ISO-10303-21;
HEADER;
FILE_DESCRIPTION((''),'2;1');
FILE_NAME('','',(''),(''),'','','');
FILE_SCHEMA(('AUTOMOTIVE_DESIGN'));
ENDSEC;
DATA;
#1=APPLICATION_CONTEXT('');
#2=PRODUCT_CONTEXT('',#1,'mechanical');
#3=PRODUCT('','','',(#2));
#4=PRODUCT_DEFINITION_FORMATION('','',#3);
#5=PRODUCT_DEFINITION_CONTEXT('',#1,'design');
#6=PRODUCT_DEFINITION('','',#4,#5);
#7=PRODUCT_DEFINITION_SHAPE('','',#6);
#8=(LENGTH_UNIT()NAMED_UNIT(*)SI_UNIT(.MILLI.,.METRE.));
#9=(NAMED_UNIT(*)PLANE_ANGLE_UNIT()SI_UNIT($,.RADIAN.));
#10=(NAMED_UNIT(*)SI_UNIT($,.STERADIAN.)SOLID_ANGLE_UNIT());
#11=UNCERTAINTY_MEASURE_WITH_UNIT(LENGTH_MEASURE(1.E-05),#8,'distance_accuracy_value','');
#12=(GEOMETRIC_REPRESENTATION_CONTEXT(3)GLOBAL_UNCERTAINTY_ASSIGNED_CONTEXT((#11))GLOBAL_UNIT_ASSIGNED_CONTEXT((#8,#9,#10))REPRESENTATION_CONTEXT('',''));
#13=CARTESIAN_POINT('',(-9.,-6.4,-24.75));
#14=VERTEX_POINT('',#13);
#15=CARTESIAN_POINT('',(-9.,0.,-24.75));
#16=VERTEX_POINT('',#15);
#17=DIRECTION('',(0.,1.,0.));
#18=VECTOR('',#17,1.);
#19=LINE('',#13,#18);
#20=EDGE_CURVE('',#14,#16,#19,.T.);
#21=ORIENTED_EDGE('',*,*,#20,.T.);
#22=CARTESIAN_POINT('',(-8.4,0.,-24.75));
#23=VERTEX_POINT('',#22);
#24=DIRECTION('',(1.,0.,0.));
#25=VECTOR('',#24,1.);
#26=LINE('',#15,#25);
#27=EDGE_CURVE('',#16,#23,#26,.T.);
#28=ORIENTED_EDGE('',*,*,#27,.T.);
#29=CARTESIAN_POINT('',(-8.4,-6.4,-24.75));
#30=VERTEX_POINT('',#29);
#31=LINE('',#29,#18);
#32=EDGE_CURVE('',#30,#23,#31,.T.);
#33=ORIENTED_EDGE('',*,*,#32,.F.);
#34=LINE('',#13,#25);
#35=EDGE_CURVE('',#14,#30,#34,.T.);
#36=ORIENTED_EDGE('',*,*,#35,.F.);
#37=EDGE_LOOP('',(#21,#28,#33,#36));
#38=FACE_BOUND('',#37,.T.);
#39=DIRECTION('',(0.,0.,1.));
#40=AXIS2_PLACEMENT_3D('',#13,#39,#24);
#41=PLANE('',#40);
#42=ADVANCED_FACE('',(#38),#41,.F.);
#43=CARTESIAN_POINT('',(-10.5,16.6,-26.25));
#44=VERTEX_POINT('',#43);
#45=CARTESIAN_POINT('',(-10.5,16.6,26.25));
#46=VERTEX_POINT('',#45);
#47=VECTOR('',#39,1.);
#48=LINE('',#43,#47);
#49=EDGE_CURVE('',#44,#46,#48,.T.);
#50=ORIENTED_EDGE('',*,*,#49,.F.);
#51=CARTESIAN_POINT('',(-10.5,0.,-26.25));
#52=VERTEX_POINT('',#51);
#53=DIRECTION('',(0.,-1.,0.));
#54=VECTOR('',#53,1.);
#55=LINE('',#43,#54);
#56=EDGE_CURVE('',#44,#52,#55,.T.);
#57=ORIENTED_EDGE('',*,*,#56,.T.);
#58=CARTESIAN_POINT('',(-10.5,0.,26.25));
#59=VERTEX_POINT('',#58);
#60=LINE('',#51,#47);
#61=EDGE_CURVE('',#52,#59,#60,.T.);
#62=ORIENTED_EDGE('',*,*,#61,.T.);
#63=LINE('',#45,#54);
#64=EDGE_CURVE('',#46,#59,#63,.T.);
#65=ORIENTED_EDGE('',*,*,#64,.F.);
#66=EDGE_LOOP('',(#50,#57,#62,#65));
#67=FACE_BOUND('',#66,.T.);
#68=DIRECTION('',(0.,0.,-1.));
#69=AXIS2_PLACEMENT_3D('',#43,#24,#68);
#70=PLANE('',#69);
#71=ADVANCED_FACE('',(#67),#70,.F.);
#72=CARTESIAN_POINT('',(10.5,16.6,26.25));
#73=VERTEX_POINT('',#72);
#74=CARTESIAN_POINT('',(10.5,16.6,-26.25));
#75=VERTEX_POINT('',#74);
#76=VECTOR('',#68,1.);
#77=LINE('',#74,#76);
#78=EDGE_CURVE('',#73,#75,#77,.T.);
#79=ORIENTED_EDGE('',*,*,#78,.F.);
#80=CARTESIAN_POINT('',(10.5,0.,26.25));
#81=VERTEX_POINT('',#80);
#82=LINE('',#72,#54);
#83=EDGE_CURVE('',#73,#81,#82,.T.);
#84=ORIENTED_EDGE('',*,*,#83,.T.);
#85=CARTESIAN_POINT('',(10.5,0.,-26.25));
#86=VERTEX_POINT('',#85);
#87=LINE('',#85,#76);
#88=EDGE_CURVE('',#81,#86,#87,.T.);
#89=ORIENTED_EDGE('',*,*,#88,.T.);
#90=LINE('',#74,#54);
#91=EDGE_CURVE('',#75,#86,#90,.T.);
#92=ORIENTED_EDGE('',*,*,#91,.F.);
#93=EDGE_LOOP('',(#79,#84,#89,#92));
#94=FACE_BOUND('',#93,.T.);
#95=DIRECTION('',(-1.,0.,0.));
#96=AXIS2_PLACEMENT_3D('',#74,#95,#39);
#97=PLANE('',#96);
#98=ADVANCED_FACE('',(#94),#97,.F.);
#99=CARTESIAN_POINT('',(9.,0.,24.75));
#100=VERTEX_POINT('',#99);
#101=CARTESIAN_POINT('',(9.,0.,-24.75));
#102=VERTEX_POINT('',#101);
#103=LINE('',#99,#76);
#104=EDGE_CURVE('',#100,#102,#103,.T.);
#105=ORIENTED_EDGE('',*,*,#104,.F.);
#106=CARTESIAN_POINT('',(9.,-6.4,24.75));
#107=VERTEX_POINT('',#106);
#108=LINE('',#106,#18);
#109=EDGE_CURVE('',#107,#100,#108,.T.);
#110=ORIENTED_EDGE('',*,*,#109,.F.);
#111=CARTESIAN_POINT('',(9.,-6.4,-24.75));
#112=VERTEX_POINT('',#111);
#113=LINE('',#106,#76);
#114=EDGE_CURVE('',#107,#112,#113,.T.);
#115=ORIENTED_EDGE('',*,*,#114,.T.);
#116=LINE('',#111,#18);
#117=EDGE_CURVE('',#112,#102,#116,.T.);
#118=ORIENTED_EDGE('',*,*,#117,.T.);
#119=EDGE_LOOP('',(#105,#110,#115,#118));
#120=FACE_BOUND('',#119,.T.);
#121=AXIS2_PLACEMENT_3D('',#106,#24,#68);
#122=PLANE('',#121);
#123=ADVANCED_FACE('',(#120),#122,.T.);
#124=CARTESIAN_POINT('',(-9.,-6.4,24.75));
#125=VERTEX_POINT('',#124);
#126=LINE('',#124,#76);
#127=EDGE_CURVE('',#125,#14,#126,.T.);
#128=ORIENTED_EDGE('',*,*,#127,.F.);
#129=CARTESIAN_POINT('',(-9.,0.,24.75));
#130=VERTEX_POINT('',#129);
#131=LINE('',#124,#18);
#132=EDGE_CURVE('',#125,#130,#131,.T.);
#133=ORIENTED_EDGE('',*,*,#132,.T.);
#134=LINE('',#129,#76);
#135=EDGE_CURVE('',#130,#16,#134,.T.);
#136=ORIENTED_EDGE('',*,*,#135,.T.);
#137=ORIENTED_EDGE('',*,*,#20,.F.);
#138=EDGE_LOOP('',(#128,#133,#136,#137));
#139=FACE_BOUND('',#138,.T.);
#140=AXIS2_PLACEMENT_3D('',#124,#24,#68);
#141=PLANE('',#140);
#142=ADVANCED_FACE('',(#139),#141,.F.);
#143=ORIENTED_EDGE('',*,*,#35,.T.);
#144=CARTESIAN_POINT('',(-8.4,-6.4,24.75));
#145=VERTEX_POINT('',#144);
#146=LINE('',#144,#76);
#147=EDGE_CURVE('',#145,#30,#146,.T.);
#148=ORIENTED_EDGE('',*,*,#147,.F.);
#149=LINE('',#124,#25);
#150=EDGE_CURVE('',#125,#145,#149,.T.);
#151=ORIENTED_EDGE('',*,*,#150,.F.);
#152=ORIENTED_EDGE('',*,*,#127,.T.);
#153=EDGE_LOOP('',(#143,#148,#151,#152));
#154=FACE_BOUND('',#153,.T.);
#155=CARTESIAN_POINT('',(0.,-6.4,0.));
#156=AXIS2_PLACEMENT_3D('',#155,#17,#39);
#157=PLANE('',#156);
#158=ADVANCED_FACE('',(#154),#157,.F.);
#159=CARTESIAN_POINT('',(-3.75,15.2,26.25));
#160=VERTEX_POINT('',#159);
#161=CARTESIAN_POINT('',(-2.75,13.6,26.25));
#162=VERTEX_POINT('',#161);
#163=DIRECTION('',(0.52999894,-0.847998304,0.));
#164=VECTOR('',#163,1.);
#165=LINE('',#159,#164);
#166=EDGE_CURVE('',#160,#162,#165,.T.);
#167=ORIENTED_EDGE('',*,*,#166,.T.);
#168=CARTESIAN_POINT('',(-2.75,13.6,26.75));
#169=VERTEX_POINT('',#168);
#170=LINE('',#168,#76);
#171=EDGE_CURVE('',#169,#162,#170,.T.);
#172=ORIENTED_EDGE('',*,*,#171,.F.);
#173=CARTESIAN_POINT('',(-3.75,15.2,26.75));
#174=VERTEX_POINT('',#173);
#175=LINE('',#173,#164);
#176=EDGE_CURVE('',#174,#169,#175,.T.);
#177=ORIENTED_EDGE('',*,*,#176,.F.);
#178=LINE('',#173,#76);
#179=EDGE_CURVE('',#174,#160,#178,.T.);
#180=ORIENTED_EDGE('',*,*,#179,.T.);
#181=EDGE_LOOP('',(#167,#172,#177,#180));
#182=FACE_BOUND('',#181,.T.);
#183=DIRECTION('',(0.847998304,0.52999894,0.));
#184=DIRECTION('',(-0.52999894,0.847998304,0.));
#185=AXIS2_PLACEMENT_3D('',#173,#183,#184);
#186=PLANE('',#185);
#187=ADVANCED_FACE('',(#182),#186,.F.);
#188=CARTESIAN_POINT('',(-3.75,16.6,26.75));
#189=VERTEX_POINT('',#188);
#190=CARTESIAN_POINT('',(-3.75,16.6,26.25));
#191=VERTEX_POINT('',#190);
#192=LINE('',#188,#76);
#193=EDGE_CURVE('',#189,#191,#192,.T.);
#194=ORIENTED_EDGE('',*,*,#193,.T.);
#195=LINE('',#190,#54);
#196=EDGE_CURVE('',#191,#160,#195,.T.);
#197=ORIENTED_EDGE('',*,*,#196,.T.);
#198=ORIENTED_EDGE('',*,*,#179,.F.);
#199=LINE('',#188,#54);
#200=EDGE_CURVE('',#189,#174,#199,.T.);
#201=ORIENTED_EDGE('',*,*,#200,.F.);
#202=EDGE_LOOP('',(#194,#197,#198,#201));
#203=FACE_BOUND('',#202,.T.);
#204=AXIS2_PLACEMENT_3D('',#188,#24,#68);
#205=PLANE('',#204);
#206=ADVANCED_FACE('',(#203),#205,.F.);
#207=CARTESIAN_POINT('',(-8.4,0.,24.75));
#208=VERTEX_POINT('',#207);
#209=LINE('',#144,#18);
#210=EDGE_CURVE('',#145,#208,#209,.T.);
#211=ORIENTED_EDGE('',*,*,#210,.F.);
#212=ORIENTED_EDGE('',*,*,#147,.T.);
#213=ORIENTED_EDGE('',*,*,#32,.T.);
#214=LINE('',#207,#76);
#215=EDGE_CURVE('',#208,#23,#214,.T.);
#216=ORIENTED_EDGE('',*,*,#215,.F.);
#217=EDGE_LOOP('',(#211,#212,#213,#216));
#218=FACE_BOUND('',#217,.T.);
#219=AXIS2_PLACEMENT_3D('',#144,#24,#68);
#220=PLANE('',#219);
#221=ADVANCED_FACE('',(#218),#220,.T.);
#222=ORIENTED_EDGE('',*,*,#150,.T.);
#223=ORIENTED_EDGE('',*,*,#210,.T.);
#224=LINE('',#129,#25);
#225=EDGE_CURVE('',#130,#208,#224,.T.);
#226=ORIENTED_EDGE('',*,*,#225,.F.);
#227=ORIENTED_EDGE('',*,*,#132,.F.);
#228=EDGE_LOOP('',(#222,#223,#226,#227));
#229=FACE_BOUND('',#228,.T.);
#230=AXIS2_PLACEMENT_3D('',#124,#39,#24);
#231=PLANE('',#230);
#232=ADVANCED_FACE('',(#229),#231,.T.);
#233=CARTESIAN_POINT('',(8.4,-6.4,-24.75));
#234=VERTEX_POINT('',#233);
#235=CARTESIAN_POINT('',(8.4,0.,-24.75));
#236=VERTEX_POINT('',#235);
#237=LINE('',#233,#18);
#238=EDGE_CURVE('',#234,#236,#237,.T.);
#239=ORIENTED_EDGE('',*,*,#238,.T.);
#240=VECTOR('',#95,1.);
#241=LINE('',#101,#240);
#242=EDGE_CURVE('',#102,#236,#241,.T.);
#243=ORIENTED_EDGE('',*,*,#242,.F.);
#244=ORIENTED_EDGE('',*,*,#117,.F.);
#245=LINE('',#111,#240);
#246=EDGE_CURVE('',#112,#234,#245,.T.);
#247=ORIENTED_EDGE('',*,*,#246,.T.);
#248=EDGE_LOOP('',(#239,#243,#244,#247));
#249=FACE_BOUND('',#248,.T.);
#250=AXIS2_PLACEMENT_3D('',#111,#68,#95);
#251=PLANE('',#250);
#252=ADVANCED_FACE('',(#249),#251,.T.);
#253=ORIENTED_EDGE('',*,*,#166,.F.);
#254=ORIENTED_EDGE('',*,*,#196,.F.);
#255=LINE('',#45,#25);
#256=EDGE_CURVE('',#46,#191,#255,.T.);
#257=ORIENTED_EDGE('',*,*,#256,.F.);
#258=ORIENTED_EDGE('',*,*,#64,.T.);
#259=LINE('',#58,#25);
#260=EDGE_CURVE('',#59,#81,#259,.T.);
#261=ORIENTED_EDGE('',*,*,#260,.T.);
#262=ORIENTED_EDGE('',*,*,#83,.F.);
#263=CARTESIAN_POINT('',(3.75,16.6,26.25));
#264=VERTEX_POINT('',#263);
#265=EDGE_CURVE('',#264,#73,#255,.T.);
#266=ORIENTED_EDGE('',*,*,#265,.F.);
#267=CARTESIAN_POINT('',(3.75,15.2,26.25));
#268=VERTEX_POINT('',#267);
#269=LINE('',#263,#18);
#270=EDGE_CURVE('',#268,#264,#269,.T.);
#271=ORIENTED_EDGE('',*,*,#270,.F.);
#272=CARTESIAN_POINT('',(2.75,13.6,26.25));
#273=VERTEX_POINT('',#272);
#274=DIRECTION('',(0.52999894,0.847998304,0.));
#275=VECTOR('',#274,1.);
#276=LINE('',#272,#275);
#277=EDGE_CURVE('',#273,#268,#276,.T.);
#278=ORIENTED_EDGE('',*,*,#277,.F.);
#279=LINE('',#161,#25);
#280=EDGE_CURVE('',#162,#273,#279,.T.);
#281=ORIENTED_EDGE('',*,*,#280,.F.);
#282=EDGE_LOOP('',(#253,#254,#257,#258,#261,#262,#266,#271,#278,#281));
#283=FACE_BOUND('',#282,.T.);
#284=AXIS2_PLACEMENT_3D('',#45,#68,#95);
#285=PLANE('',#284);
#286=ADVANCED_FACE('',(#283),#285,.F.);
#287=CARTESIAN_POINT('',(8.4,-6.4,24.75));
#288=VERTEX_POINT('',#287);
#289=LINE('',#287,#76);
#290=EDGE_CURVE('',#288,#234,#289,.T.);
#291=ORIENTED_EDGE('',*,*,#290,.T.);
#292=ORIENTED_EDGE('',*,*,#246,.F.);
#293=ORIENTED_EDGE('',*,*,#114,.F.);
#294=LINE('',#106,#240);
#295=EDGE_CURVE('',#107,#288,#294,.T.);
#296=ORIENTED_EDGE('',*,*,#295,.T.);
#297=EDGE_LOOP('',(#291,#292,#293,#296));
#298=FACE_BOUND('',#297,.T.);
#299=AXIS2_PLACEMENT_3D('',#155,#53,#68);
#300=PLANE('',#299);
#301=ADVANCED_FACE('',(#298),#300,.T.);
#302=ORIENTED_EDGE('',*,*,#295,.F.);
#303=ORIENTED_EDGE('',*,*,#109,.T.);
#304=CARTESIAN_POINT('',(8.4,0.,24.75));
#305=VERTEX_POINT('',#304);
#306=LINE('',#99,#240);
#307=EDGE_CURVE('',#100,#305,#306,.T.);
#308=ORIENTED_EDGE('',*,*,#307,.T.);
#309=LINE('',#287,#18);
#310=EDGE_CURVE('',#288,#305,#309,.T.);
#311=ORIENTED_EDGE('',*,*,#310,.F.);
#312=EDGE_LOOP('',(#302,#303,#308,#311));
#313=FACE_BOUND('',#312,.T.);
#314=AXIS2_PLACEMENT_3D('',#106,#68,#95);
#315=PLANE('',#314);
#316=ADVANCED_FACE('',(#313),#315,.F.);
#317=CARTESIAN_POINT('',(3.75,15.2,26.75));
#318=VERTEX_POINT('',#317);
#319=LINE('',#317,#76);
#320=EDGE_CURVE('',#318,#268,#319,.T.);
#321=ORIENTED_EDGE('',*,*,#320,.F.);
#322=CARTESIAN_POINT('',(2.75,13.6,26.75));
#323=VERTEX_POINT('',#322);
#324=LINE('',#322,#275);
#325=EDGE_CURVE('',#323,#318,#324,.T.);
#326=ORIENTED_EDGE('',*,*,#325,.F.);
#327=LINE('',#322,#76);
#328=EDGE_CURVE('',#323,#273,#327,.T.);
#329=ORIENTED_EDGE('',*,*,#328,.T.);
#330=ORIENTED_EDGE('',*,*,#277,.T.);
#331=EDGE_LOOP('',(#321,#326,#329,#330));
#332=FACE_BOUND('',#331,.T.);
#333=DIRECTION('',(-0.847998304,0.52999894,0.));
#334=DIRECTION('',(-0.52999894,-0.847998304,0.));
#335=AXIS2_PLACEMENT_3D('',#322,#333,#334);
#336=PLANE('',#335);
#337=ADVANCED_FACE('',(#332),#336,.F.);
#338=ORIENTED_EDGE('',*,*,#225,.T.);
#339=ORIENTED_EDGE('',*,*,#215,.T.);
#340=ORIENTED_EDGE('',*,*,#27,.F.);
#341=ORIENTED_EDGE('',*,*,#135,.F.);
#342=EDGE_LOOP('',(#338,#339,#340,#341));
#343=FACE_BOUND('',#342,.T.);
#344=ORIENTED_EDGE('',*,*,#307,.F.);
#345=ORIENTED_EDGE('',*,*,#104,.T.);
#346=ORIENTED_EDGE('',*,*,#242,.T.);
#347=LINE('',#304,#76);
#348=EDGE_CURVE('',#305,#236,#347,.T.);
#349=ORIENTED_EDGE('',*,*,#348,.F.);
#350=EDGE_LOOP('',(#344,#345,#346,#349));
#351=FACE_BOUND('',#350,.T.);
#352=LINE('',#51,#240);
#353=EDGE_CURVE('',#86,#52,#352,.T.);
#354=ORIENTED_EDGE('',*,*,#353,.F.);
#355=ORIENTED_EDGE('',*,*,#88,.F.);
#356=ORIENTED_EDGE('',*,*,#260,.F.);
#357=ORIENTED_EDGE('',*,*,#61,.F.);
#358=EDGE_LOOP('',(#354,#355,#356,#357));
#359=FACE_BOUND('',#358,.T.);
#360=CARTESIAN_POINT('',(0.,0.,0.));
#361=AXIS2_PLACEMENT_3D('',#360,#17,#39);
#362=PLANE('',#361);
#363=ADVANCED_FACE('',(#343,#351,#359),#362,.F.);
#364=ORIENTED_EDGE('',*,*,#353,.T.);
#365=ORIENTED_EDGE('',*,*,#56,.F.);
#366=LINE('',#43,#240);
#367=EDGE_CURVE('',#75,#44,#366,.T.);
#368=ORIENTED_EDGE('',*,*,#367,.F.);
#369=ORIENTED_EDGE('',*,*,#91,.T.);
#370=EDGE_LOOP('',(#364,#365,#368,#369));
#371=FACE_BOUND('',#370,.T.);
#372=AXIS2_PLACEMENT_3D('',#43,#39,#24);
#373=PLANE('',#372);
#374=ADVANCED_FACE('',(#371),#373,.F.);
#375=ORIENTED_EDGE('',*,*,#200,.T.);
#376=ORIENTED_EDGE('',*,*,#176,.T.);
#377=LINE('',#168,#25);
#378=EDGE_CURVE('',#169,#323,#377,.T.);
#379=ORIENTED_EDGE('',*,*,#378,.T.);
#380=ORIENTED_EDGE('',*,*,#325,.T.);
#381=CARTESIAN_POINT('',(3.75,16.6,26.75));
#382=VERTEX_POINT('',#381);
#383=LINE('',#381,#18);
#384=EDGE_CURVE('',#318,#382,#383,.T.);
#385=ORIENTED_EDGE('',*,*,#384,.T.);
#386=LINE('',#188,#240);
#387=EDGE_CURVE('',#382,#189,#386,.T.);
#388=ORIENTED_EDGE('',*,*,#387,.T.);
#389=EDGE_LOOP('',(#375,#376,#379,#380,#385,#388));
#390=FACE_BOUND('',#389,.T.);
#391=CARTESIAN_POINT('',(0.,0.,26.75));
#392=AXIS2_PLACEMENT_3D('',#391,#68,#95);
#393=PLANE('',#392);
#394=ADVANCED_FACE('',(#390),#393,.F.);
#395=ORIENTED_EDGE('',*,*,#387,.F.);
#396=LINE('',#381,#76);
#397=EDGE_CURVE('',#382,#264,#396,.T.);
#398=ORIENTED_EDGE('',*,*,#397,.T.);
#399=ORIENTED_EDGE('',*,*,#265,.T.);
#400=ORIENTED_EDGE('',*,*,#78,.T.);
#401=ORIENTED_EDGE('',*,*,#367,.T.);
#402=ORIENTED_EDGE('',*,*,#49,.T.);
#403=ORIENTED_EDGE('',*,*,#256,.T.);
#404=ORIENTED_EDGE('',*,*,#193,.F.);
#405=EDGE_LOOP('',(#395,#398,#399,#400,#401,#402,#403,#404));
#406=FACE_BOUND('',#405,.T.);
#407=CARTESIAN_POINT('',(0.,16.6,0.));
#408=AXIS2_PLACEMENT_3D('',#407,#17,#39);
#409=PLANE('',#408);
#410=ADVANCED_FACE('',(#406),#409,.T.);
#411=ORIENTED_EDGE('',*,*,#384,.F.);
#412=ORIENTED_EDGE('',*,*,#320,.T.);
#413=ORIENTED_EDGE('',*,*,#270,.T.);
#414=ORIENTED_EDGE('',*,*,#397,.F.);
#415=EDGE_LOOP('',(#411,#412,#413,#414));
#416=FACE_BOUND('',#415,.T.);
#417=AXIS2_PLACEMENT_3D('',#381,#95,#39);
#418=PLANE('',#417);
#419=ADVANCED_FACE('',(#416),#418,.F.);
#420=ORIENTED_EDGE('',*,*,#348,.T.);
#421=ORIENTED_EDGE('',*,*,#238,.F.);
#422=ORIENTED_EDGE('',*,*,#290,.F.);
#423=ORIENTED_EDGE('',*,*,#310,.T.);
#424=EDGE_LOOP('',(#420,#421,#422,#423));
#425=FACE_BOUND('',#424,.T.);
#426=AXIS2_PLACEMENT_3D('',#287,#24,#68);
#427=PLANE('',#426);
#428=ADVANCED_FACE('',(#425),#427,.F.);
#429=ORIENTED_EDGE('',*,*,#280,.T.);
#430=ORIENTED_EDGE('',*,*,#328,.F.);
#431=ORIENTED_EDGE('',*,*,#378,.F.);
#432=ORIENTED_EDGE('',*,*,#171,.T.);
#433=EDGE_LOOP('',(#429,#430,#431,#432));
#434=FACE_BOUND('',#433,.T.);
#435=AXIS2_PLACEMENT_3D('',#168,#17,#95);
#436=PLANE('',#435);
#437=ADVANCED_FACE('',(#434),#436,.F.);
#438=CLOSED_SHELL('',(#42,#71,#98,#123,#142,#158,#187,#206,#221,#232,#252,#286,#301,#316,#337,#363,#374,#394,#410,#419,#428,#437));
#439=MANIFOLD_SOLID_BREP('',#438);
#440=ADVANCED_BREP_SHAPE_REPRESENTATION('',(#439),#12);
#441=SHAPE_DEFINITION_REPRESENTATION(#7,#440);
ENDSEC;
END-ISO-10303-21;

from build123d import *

# Parameters (mm, degrees)
SKETCH1_W           = 21
SKETCH1_H           = 52.5
BOSS_EXTRUDE1_DEPTH = 16.6
BOSS_EXTRUDE2_DEPTH = 0.5
SKETCH3_W           = 0.6
SKETCH3_H           = 49.5
BOSS_EXTRUDE3_DEPTH = 6.4


with BuildPart() as part:
    # Sketch1 → Boss-Extrude1 (new body)
    with BuildSketch(Plane(origin=(0, 0, 0), x_dir=(1, 0, 0), z_dir=(0, 1, 0))):
        Rectangle(SKETCH1_W, SKETCH1_H)
    extrude(amount=BOSS_EXTRUDE1_DEPTH)

    # Sketch2 → Boss-Extrude2 (add)
    with BuildSketch(Plane.XY.offset(26.25)):
        Polygon((-3.75, 16.6), (-3.75, 15.2), (-2.75, 13.6), (2.75, 13.6), (3.75, 15.2), (3.75, 16.6), align=None)
    extrude(amount=BOSS_EXTRUDE2_DEPTH)

    # Sketch3 → Boss-Extrude3 (add)
    with BuildSketch(Plane.XZ):
        with Locations((-8.7, 0)):
            Rectangle(SKETCH3_W, SKETCH3_H)
        with Locations((8.7, 0)):
            Rectangle(SKETCH3_W, SKETCH3_H)
    extrude(amount=BOSS_EXTRUDE3_DEPTH)


solid = part.part
